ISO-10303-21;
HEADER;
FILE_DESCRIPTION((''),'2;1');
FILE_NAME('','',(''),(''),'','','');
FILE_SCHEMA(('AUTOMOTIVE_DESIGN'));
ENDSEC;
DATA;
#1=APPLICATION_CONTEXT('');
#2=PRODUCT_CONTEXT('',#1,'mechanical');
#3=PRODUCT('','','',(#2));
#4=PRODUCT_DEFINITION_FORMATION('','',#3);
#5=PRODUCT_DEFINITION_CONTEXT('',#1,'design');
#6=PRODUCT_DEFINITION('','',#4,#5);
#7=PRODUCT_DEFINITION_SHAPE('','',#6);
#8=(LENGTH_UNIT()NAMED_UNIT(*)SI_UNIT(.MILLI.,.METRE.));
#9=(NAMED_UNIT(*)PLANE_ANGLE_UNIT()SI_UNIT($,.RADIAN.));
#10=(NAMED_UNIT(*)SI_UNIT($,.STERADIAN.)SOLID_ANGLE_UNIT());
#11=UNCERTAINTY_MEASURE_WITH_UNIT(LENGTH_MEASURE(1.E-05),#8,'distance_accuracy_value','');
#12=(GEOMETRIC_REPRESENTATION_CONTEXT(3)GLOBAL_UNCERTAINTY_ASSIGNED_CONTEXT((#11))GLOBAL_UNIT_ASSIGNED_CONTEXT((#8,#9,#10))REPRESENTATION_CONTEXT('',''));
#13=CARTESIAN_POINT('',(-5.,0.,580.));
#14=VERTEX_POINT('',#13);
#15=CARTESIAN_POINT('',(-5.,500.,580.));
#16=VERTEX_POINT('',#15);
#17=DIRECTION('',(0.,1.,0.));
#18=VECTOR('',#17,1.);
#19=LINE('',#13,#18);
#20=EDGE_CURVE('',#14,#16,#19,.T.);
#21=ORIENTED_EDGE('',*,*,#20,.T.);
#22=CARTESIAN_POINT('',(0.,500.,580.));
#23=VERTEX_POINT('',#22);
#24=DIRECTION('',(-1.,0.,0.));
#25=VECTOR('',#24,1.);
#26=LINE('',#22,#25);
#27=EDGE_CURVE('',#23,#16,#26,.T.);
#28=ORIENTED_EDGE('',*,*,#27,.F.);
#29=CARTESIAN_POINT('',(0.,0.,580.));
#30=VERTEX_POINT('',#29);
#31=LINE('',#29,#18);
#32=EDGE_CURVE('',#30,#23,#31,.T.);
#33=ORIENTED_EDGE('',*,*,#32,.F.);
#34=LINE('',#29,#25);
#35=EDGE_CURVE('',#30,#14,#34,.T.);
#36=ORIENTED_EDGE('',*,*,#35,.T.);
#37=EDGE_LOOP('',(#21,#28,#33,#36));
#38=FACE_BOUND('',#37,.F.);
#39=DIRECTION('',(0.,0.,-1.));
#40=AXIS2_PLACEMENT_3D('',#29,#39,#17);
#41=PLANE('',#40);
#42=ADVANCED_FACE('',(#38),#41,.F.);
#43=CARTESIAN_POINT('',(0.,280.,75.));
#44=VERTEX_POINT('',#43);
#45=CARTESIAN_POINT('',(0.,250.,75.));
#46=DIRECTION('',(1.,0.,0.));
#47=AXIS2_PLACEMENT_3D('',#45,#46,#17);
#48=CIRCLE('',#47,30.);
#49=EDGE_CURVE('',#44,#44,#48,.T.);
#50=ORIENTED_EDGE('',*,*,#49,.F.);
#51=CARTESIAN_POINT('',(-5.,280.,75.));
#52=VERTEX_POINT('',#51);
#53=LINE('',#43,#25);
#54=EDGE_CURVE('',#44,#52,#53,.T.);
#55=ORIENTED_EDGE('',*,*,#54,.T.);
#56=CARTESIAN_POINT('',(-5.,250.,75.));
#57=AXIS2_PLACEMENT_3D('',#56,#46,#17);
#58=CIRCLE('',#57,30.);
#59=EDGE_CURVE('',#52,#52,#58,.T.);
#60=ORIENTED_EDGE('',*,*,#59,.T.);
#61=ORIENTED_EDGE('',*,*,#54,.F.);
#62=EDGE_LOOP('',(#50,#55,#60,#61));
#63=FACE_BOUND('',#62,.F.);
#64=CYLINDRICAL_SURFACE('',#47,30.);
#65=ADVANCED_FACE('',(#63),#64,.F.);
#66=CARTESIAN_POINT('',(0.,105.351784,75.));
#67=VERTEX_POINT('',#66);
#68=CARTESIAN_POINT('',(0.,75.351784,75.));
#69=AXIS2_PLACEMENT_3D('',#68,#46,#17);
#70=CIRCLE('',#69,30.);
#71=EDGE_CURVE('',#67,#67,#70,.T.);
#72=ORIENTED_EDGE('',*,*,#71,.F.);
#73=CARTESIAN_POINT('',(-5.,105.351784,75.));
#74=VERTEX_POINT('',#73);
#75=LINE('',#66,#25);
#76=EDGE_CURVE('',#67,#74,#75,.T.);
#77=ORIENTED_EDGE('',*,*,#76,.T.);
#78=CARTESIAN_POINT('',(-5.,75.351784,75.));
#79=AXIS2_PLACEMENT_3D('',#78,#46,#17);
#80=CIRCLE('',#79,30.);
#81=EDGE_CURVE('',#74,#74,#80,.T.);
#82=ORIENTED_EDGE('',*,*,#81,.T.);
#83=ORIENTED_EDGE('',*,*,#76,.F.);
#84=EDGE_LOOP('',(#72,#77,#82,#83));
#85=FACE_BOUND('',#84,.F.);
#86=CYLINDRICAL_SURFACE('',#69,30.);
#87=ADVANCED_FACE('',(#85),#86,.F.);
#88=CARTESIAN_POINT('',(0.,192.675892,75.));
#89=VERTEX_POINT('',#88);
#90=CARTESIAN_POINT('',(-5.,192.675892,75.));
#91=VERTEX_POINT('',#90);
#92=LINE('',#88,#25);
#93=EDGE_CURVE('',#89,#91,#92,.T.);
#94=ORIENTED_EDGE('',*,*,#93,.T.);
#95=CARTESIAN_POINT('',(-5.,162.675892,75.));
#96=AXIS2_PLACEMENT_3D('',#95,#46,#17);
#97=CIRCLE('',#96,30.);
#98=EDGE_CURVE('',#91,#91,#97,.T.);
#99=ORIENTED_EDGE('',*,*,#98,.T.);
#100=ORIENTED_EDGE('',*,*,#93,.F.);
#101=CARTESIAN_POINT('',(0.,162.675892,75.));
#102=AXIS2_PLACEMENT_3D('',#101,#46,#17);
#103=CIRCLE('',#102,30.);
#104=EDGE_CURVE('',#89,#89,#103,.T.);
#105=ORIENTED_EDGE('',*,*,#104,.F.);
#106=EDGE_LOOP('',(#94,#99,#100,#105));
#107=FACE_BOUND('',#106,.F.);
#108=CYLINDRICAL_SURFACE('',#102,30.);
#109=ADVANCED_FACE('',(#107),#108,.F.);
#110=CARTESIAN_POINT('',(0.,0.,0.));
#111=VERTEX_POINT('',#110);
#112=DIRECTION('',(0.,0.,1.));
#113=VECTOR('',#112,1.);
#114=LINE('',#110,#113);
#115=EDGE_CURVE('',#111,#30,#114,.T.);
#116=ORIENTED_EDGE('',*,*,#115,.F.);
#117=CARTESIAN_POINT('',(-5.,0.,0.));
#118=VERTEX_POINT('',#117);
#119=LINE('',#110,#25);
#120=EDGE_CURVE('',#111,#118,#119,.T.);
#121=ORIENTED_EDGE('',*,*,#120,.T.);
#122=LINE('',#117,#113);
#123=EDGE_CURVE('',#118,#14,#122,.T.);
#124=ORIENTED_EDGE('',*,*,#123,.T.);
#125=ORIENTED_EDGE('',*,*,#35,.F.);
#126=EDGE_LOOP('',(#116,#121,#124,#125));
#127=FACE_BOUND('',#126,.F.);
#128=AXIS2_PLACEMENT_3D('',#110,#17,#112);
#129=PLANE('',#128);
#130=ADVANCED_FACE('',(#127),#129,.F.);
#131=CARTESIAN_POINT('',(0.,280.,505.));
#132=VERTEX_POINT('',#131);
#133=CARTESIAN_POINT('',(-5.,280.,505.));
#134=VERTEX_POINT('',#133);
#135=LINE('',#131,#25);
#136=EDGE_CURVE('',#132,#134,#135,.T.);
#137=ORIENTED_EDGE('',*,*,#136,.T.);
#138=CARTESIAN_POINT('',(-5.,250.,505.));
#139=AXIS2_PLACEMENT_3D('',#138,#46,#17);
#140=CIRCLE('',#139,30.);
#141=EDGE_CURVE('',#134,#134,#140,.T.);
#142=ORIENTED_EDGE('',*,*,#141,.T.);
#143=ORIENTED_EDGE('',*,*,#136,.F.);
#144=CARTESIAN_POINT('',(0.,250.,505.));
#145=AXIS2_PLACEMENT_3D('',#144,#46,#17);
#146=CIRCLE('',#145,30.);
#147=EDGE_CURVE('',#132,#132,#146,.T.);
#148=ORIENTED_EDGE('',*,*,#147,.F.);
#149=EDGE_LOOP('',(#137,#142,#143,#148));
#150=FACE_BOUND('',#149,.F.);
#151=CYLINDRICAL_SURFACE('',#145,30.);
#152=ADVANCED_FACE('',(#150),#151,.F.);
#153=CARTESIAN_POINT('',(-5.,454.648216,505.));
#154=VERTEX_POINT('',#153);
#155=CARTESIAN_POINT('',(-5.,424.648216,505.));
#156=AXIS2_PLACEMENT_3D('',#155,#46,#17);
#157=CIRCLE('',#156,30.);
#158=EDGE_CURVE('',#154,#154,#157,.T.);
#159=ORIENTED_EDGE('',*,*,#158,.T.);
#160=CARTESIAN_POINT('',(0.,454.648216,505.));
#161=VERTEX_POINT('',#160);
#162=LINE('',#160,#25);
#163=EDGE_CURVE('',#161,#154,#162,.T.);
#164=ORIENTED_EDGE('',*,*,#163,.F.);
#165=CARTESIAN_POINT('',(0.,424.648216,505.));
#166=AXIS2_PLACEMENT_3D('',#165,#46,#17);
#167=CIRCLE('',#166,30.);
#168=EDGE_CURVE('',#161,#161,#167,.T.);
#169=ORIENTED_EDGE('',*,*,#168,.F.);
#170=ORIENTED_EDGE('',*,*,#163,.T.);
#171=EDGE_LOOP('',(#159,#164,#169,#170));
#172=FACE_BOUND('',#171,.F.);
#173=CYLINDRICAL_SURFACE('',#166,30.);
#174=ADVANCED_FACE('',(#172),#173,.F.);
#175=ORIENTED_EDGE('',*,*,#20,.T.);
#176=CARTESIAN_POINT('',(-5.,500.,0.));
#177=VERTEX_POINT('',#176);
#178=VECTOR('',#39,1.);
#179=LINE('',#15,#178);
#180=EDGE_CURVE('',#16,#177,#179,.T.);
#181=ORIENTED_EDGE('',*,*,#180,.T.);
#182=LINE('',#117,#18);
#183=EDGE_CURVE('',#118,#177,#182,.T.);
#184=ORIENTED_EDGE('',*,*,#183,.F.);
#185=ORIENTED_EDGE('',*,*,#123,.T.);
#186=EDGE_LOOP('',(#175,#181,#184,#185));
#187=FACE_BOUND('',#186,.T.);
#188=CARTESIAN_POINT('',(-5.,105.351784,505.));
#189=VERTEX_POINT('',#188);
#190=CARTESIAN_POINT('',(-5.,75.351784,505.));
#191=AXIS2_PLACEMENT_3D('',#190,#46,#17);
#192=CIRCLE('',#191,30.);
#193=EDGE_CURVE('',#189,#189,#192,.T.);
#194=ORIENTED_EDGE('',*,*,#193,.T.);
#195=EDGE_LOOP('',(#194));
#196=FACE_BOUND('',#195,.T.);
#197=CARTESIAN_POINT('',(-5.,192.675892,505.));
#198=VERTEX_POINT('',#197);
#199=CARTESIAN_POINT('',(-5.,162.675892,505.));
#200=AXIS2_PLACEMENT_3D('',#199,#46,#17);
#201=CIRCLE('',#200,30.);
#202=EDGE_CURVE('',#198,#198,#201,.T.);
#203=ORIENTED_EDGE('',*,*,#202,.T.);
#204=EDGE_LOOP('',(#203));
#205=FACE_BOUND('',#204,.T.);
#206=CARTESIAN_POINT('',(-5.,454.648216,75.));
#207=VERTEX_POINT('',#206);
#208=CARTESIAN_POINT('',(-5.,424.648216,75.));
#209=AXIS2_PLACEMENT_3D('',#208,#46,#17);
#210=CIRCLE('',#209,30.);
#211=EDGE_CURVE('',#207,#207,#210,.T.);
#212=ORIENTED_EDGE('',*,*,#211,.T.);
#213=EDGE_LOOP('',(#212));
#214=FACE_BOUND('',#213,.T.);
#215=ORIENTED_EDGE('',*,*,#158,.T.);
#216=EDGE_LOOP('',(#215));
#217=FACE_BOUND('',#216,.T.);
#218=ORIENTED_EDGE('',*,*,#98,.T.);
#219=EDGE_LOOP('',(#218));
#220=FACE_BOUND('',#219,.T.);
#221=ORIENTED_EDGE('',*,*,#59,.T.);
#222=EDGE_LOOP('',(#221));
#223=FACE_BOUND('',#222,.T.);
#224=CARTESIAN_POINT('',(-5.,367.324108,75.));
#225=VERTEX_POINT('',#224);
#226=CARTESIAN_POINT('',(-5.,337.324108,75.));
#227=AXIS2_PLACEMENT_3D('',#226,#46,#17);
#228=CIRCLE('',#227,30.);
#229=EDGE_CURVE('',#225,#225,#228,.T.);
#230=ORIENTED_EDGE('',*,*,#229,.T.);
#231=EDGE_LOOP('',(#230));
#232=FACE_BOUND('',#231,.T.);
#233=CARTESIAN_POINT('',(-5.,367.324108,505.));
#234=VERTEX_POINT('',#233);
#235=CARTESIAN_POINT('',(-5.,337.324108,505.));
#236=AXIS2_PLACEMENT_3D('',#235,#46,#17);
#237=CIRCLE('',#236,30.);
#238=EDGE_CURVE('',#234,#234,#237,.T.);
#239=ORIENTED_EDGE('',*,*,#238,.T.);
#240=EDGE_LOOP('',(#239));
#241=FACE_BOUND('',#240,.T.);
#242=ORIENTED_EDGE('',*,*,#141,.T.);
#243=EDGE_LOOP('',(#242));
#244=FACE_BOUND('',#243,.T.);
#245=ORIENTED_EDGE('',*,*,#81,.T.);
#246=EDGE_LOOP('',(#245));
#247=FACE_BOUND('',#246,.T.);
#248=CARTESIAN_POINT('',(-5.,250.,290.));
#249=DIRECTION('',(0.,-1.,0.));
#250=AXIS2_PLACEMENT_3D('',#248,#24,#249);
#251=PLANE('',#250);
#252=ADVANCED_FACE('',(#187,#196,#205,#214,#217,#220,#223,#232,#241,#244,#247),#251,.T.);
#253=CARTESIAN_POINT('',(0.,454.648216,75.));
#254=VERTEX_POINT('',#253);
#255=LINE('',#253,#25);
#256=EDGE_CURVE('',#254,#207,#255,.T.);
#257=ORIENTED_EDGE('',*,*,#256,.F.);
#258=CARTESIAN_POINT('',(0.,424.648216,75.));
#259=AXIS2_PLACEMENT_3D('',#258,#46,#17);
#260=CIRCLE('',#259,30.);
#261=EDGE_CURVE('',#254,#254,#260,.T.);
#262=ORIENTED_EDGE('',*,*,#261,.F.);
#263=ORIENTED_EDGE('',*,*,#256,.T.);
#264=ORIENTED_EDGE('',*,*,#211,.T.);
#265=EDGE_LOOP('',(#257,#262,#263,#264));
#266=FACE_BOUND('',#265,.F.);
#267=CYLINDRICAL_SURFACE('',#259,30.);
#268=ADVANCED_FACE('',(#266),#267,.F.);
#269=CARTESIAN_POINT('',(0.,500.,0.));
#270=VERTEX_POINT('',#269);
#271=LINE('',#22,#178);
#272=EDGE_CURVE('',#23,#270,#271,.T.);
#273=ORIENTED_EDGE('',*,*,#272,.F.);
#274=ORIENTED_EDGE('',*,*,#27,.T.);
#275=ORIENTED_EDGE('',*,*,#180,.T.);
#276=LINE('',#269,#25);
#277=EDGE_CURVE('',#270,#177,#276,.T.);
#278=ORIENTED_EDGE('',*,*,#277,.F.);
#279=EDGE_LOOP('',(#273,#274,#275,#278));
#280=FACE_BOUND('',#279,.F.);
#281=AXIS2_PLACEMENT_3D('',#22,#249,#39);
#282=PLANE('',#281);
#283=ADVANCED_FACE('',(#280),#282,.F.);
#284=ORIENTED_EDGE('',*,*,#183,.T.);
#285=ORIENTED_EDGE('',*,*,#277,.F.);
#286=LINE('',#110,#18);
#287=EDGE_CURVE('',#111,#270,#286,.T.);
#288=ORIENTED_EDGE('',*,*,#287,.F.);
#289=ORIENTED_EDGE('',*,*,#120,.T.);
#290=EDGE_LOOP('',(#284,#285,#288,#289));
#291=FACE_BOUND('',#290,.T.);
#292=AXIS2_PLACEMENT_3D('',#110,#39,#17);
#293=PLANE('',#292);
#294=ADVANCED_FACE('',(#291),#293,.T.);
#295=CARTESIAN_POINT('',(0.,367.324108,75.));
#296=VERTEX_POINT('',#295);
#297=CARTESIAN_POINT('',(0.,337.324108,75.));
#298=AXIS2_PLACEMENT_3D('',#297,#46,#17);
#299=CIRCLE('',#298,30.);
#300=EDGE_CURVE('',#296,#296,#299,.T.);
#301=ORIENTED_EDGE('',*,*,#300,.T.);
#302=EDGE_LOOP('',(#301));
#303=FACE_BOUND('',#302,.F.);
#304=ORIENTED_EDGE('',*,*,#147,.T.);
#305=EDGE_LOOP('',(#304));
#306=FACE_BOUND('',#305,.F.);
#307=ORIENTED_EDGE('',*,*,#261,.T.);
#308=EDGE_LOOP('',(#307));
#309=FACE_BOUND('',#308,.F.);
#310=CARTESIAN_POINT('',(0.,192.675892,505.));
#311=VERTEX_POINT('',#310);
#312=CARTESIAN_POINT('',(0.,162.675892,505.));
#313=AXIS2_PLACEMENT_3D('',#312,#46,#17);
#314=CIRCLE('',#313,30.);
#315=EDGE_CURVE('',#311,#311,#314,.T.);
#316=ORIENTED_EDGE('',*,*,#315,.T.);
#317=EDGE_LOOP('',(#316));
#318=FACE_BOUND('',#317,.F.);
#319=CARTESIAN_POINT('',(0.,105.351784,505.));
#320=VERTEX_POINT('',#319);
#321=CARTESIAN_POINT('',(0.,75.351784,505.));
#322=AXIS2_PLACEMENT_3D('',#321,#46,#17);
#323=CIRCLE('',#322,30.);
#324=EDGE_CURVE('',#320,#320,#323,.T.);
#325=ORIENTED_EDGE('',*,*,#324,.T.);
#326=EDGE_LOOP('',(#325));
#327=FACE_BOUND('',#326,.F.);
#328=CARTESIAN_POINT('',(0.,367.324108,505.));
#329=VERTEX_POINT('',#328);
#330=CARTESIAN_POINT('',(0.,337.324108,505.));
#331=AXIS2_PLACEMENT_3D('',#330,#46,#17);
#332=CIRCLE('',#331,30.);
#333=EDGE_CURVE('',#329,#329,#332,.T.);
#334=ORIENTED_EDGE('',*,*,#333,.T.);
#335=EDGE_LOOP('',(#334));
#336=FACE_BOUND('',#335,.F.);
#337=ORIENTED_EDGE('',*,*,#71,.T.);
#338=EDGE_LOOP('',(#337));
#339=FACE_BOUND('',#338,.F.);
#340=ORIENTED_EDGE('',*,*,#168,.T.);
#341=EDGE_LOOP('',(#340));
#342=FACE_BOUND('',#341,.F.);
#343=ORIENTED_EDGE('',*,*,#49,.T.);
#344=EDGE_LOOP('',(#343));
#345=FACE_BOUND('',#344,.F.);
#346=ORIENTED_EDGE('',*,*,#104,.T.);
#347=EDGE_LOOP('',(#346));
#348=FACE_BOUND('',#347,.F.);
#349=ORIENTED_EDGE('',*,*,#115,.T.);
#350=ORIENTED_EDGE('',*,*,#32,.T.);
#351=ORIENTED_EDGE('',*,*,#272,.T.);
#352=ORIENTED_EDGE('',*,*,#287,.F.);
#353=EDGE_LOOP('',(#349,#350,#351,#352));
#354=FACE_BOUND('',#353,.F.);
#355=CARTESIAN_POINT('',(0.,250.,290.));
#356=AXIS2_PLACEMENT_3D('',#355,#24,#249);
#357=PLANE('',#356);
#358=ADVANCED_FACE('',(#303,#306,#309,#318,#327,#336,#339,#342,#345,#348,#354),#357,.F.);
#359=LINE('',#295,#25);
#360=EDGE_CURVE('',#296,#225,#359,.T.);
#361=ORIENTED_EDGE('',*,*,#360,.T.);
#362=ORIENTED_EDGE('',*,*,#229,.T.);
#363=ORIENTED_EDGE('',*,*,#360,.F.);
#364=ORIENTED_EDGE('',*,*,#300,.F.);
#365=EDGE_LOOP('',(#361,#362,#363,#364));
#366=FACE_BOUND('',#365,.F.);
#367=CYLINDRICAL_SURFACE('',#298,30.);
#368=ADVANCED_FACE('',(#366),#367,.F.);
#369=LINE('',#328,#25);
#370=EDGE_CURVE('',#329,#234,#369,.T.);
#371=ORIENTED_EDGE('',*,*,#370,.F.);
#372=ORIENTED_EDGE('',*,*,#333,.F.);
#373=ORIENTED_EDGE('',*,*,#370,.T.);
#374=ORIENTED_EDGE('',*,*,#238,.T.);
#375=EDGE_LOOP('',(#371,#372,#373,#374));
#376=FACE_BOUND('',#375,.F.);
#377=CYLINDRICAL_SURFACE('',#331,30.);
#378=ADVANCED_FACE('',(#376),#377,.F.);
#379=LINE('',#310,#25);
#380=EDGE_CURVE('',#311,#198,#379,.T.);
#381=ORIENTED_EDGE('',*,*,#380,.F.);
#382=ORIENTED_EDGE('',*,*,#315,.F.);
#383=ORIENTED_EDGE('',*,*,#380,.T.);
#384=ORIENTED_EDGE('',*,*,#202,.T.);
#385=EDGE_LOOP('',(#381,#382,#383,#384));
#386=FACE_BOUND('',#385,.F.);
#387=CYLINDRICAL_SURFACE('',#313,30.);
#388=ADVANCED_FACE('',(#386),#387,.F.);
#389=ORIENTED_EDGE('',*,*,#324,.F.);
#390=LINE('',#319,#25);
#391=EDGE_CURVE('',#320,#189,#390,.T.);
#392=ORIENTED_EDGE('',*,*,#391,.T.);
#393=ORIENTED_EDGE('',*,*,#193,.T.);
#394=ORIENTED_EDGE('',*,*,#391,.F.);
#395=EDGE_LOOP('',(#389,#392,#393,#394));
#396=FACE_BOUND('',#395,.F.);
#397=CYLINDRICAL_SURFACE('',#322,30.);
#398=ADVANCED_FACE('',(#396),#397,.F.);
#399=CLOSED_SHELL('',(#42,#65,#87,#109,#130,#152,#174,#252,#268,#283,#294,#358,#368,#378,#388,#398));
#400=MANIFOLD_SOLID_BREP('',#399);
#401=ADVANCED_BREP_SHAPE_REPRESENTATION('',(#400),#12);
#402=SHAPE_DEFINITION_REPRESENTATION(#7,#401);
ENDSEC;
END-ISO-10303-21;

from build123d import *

# Parameters (mm, degrees)
PAD_DEPTH    = 5
SKETCH002_R  = 30
POCKET_DEPTH = 5.001


with BuildPart() as part:
    # Sketch → Pad (new body)
    with BuildSketch(Plane.YZ):
        Polygon((0, 0), (0, 580), (500, 580), (500, 0), (250, 0), align=None)
    extrude(amount=-PAD_DEPTH)

    # Sketch002 (on Face6 of Pad) → Pocket (cut, through all)
    with BuildSketch(Plane.YZ):
        with Locations((250, 505)):
            Circle(SKETCH002_R)
        with Locations((250, 75)):
            Circle(SKETCH002_R)
        with Locations((75.351784, 505)):
            Circle(SKETCH002_R)
        with Locations((75.351784, 75)):
            Circle(SKETCH002_R)
        with Locations((162.675892, 75)):
            Circle(SKETCH002_R)
        with Locations((337.324108, 75)):
            Circle(SKETCH002_R)
        with Locations((424.648216, 75)):
            Circle(SKETCH002_R)
        with Locations((424.648216, 505)):
            Circle(SKETCH002_R)
        with Locations((337.324108, 505)):
            Circle(SKETCH002_R)
        with Locations((162.675892, 505)):
            Circle(SKETCH002_R)
    extrude(amount=-POCKET_DEPTH, mode=Mode.SUBTRACT)


solid = part.part
